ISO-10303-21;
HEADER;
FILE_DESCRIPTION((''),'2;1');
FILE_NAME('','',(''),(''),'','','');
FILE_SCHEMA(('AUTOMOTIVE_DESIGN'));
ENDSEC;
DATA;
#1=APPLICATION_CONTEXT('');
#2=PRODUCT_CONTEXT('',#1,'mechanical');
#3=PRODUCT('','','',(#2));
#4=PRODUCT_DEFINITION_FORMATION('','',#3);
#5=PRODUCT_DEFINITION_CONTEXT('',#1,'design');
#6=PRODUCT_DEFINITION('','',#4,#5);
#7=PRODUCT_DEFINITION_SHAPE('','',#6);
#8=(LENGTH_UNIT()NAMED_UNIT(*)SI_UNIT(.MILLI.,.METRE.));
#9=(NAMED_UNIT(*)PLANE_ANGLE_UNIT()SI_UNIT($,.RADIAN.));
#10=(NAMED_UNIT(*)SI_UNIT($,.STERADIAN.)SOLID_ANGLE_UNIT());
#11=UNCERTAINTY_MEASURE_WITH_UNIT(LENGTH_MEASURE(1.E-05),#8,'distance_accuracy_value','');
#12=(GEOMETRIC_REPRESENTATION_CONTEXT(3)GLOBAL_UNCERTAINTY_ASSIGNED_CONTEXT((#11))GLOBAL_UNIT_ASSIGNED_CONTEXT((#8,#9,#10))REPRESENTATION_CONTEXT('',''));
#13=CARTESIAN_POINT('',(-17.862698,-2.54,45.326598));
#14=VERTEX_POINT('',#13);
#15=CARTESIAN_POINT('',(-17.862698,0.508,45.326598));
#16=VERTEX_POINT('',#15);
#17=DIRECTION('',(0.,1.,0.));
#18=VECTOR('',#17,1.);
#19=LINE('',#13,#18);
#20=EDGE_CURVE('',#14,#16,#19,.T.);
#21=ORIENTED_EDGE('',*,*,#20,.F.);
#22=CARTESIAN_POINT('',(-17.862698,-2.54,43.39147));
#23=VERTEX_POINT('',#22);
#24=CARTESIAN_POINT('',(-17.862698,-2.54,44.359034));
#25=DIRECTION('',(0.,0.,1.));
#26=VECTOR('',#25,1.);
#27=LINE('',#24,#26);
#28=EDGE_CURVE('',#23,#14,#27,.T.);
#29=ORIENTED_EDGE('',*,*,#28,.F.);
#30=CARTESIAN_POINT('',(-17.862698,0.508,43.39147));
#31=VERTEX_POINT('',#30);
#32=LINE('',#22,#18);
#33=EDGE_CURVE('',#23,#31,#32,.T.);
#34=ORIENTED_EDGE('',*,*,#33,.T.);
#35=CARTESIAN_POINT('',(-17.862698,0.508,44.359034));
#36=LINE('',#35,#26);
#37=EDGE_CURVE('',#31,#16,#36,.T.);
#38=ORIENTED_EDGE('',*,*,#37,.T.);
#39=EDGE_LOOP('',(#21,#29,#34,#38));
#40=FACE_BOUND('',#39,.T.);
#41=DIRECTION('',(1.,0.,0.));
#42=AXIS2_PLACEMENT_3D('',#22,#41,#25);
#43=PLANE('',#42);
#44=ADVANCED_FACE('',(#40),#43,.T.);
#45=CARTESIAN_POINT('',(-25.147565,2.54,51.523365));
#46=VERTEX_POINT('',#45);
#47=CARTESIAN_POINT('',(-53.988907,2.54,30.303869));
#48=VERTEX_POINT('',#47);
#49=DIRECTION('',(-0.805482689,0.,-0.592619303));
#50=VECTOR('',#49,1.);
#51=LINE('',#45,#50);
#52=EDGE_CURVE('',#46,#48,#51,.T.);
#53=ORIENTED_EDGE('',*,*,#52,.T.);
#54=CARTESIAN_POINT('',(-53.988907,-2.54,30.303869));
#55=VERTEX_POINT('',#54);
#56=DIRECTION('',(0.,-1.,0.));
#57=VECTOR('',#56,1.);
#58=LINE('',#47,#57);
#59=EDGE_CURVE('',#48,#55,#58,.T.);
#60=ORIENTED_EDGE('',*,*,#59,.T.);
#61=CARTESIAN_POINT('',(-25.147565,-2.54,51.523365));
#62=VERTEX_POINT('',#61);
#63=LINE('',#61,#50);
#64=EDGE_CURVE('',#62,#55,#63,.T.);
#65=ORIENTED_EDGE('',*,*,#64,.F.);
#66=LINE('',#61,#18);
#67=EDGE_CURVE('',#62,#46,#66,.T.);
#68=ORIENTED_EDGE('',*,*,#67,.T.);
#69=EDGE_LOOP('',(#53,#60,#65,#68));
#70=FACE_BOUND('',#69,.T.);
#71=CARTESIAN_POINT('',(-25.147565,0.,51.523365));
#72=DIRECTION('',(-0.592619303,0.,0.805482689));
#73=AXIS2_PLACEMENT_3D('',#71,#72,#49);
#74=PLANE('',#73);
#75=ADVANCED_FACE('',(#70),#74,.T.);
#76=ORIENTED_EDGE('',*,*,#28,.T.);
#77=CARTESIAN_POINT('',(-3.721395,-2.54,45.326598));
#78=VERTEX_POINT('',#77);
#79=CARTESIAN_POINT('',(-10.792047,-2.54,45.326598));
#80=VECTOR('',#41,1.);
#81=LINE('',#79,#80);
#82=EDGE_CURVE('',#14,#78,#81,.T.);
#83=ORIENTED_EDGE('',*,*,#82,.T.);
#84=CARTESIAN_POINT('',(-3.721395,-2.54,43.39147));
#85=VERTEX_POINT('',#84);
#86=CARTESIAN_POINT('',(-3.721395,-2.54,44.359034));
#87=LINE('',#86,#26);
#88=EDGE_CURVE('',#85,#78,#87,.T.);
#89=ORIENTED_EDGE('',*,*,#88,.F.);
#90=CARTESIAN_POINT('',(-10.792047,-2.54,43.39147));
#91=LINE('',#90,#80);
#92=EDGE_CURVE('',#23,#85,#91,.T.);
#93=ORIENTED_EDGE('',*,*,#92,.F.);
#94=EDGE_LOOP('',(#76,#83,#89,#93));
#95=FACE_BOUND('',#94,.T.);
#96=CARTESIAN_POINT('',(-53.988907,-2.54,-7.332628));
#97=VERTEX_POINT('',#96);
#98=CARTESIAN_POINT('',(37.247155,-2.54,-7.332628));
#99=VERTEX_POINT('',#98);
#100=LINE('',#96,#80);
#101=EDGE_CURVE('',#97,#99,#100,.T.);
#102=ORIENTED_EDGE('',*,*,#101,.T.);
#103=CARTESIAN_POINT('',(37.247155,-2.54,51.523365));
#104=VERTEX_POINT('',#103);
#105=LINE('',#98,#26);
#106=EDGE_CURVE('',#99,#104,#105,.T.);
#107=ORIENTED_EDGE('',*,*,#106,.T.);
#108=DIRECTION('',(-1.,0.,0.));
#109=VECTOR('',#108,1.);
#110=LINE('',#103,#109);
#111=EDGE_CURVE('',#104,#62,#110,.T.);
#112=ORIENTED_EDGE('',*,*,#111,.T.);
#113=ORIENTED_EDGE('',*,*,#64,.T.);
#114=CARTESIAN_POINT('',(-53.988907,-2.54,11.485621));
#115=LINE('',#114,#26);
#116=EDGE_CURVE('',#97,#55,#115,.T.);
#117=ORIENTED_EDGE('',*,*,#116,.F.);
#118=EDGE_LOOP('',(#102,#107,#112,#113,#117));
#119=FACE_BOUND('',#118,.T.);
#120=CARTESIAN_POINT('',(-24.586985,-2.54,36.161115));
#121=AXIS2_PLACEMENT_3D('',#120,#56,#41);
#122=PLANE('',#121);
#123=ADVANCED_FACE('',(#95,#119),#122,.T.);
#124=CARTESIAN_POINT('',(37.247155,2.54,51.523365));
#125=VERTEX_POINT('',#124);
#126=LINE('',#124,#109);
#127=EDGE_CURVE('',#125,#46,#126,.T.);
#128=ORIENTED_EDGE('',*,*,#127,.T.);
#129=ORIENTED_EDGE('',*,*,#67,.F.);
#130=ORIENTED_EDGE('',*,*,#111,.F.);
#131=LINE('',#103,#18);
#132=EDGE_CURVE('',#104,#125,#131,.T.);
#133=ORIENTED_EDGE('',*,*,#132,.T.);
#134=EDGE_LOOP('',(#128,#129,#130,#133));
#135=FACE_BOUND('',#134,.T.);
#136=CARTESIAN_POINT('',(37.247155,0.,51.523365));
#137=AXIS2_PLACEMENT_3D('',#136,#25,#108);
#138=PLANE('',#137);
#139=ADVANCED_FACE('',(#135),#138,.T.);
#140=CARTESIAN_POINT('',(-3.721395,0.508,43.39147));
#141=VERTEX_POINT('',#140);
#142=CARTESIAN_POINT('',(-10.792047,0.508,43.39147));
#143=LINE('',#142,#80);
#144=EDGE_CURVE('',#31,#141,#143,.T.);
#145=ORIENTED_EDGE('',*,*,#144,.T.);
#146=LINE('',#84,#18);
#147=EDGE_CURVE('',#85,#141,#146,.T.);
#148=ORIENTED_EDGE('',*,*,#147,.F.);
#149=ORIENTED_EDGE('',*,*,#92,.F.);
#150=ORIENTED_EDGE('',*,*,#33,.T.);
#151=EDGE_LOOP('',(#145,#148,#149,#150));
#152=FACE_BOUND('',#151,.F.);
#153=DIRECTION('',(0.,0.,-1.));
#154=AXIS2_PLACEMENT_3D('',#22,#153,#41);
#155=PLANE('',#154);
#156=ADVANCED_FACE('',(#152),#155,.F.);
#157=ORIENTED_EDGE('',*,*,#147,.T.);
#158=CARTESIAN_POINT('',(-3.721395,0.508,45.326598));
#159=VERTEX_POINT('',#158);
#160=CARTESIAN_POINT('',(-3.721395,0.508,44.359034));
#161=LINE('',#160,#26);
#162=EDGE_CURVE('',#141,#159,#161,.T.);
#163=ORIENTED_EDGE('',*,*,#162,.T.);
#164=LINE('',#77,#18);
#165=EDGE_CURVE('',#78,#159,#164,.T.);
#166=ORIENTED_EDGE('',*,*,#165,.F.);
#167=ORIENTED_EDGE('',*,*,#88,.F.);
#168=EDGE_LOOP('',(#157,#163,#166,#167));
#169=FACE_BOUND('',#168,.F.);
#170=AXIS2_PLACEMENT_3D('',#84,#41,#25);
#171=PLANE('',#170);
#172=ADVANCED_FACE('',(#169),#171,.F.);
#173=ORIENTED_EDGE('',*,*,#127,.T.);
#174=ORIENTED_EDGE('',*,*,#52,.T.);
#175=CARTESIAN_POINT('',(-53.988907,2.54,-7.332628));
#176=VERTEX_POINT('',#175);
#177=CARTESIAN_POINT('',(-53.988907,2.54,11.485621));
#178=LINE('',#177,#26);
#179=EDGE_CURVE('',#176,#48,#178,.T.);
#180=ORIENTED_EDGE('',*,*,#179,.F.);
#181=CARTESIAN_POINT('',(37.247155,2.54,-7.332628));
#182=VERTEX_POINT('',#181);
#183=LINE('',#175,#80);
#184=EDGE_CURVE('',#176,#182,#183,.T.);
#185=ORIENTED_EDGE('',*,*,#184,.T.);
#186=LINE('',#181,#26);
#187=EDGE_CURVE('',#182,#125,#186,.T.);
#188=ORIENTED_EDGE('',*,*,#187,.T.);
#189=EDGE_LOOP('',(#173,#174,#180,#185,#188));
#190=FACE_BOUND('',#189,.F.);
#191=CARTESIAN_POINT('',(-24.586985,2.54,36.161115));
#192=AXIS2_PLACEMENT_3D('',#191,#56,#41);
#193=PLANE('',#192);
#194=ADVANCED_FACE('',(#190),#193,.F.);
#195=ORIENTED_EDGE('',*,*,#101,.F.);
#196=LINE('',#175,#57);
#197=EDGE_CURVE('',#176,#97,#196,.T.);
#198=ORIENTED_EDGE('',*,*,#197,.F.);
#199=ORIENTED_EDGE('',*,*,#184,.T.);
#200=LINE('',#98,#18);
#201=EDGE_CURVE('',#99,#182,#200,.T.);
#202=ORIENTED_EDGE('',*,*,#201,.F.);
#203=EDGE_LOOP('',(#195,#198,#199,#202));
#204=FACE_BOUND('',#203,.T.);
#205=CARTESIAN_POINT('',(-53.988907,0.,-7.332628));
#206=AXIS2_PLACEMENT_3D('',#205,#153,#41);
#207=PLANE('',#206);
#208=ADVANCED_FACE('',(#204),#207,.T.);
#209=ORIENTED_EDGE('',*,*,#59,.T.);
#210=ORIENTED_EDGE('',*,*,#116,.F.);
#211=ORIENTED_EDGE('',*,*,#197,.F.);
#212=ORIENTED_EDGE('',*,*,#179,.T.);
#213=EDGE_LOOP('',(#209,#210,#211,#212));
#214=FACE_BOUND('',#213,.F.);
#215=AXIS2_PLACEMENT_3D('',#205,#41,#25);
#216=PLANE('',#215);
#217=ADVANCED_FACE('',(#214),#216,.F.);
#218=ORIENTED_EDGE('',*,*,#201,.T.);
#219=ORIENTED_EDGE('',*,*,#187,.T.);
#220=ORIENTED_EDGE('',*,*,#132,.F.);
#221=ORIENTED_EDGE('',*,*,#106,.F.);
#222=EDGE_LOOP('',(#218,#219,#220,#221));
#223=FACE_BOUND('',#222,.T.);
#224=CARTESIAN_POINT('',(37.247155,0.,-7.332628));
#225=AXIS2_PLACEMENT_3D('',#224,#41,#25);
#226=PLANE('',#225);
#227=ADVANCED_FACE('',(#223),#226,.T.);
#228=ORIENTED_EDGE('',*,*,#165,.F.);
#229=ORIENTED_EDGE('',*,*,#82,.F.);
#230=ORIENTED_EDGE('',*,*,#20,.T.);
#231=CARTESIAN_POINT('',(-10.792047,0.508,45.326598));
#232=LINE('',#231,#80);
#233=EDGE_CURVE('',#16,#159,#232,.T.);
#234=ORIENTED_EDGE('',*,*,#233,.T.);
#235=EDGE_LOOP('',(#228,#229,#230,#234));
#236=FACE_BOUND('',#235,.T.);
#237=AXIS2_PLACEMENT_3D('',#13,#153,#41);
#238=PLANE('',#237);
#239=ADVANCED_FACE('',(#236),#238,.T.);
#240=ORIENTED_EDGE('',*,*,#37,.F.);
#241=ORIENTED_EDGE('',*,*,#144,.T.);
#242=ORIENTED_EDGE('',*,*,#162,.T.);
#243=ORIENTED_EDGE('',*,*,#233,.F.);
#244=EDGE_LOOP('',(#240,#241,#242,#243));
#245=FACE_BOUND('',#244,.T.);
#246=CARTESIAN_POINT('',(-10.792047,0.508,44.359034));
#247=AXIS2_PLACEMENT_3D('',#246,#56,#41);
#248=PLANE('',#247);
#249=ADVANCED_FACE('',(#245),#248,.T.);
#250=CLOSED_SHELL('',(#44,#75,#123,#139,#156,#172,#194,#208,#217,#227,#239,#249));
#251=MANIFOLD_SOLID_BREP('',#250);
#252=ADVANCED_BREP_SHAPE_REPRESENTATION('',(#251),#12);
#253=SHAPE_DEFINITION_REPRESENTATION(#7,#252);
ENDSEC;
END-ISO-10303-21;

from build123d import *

# Parameters (mm, degrees)
F0_W          = 58.9205864817
F0_H          = 37.636497058
F0_W_2        = 32.3154758662
F1_DEPTH      = 2.54
F1_DEPTH_BACK = 2.54
F2_W          = 3.5040900111
F2_H          = 3.5040876828
F2_W_2        = 3.5040881485
F3_DEPTH      = 3.556
F4_W          = 9.6756285056
F4_H          = 1.0419934988
F5_DEPTH      = 1.524
F6_W          = 14.1413027886
F6_H          = 1.9351281226
F7_DEPTH      = 3.048


with BuildPart() as f1:
    # F0 (on Front) → F1 (new body, two sides)
    with BuildSketch(Plane.XZ) as f1_sk:
        Polygon((-25.1475647092, 51.5233650804), (-53.9889074862, 30.3038693964), (4.9316789955, 30.3038693964), align=None)
        Polygon((-25.1475647092, 51.5233650804), (4.9316789955, 30.3038693964), (37.2471548617, 30.3038693964), (37.2471548617, 51.5233650804), align=None)
        with Locations((-24.5286142454, 11.4856208675)):
            Rectangle(F0_W, F0_H)
        with Locations((21.0894169286, 11.4856208675)):
            Rectangle(F0_W_2, F0_H)
    extrude(amount=F1_DEPTH)
    extrude(f1_sk.sketch, amount=-F1_DEPTH_BACK)

    # F2 (on face) → F3 (cut)
    with BuildSketch(Plane(origin=(0, 0, -7.3326276615), x_dir=(1, 0, 0), z_dir=(0, 0, -1))):
        with Locations((-47.6945266128, 5.5805838201)):
            Rectangle(F2_W, F2_H)
        with Locations((27.3189069703, 5.5805838201)):
            Rectangle(F2_W_2, F2_H)
    extrude(amount=-F3_DEPTH, mode=Mode.SUBTRACT)

    # F4 (on face) → F5 (join)
    with BuildSketch(Plane.XZ.offset(2.54)):
        with Locations((-4.8378142528, 45.4010255635)):
            Rectangle(F4_W, F4_H)
    extrude(amount=-F5_DEPTH)

    # F6 (on face) → F7 (cut)
    with BuildSketch(Plane.XZ.offset(2.54)):
        with Locations((-10.7920466689, 44.3590339273)):
            Rectangle(F6_W, F6_H)
    extrude(amount=-F7_DEPTH, mode=Mode.SUBTRACT)


solid = f1.part
